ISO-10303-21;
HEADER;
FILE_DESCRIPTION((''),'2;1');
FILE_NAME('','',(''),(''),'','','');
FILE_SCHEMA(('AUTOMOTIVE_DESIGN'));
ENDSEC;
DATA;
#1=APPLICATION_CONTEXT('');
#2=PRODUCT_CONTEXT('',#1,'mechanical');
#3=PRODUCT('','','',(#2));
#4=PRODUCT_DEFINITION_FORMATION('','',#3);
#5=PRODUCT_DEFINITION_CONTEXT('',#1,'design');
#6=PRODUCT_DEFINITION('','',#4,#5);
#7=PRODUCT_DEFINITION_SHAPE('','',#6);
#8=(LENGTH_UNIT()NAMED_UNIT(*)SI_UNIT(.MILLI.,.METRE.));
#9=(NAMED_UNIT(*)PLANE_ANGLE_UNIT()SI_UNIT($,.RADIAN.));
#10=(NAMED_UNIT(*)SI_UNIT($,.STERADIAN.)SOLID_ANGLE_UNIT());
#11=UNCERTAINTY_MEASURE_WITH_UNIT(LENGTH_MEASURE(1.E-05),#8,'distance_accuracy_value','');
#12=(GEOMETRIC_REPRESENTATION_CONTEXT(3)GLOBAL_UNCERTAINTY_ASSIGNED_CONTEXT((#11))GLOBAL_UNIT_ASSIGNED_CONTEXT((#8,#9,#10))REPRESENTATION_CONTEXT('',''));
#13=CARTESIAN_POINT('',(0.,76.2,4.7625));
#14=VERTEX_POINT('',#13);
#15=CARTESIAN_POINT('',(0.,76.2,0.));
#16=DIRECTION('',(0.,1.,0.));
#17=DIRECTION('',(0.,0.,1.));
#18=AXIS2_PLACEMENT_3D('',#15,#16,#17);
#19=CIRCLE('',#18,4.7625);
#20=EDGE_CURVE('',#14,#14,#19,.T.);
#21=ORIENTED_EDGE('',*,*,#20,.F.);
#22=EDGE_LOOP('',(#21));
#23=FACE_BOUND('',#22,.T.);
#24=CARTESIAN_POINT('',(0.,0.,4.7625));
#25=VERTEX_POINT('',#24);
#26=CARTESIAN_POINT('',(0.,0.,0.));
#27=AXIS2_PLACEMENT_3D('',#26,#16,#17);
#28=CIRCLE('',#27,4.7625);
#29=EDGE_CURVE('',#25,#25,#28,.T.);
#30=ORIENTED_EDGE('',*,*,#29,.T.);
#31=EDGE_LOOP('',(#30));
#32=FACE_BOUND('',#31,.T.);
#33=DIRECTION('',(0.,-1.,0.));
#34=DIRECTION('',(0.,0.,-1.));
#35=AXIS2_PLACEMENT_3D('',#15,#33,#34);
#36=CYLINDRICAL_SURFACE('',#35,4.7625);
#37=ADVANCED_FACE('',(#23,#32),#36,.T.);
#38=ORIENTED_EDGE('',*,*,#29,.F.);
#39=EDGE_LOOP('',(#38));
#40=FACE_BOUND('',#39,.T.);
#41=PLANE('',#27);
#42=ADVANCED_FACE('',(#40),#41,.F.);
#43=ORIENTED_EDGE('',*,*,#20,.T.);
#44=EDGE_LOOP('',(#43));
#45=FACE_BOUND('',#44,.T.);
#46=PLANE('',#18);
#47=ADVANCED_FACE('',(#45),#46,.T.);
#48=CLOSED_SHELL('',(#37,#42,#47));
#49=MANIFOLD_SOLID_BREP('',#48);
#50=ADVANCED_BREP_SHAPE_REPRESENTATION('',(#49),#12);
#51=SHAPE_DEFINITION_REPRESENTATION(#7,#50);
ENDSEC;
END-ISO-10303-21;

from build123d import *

# Parameters (mm, degrees)
CROQUIS1_R              = 4.7625
SALIENTE_EXTRUIR1_DEPTH = 76.2


with BuildPart() as part:
    # Croquis1 → Saliente-Extruir1 (new body)
    with BuildSketch(Plane(origin=(0, 0, 0), x_dir=(1, 0, 0), z_dir=(0, 1, 0))):
        Circle(CROQUIS1_R)
    extrude(amount=SALIENTE_EXTRUIR1_DEPTH)


solid = part.part
